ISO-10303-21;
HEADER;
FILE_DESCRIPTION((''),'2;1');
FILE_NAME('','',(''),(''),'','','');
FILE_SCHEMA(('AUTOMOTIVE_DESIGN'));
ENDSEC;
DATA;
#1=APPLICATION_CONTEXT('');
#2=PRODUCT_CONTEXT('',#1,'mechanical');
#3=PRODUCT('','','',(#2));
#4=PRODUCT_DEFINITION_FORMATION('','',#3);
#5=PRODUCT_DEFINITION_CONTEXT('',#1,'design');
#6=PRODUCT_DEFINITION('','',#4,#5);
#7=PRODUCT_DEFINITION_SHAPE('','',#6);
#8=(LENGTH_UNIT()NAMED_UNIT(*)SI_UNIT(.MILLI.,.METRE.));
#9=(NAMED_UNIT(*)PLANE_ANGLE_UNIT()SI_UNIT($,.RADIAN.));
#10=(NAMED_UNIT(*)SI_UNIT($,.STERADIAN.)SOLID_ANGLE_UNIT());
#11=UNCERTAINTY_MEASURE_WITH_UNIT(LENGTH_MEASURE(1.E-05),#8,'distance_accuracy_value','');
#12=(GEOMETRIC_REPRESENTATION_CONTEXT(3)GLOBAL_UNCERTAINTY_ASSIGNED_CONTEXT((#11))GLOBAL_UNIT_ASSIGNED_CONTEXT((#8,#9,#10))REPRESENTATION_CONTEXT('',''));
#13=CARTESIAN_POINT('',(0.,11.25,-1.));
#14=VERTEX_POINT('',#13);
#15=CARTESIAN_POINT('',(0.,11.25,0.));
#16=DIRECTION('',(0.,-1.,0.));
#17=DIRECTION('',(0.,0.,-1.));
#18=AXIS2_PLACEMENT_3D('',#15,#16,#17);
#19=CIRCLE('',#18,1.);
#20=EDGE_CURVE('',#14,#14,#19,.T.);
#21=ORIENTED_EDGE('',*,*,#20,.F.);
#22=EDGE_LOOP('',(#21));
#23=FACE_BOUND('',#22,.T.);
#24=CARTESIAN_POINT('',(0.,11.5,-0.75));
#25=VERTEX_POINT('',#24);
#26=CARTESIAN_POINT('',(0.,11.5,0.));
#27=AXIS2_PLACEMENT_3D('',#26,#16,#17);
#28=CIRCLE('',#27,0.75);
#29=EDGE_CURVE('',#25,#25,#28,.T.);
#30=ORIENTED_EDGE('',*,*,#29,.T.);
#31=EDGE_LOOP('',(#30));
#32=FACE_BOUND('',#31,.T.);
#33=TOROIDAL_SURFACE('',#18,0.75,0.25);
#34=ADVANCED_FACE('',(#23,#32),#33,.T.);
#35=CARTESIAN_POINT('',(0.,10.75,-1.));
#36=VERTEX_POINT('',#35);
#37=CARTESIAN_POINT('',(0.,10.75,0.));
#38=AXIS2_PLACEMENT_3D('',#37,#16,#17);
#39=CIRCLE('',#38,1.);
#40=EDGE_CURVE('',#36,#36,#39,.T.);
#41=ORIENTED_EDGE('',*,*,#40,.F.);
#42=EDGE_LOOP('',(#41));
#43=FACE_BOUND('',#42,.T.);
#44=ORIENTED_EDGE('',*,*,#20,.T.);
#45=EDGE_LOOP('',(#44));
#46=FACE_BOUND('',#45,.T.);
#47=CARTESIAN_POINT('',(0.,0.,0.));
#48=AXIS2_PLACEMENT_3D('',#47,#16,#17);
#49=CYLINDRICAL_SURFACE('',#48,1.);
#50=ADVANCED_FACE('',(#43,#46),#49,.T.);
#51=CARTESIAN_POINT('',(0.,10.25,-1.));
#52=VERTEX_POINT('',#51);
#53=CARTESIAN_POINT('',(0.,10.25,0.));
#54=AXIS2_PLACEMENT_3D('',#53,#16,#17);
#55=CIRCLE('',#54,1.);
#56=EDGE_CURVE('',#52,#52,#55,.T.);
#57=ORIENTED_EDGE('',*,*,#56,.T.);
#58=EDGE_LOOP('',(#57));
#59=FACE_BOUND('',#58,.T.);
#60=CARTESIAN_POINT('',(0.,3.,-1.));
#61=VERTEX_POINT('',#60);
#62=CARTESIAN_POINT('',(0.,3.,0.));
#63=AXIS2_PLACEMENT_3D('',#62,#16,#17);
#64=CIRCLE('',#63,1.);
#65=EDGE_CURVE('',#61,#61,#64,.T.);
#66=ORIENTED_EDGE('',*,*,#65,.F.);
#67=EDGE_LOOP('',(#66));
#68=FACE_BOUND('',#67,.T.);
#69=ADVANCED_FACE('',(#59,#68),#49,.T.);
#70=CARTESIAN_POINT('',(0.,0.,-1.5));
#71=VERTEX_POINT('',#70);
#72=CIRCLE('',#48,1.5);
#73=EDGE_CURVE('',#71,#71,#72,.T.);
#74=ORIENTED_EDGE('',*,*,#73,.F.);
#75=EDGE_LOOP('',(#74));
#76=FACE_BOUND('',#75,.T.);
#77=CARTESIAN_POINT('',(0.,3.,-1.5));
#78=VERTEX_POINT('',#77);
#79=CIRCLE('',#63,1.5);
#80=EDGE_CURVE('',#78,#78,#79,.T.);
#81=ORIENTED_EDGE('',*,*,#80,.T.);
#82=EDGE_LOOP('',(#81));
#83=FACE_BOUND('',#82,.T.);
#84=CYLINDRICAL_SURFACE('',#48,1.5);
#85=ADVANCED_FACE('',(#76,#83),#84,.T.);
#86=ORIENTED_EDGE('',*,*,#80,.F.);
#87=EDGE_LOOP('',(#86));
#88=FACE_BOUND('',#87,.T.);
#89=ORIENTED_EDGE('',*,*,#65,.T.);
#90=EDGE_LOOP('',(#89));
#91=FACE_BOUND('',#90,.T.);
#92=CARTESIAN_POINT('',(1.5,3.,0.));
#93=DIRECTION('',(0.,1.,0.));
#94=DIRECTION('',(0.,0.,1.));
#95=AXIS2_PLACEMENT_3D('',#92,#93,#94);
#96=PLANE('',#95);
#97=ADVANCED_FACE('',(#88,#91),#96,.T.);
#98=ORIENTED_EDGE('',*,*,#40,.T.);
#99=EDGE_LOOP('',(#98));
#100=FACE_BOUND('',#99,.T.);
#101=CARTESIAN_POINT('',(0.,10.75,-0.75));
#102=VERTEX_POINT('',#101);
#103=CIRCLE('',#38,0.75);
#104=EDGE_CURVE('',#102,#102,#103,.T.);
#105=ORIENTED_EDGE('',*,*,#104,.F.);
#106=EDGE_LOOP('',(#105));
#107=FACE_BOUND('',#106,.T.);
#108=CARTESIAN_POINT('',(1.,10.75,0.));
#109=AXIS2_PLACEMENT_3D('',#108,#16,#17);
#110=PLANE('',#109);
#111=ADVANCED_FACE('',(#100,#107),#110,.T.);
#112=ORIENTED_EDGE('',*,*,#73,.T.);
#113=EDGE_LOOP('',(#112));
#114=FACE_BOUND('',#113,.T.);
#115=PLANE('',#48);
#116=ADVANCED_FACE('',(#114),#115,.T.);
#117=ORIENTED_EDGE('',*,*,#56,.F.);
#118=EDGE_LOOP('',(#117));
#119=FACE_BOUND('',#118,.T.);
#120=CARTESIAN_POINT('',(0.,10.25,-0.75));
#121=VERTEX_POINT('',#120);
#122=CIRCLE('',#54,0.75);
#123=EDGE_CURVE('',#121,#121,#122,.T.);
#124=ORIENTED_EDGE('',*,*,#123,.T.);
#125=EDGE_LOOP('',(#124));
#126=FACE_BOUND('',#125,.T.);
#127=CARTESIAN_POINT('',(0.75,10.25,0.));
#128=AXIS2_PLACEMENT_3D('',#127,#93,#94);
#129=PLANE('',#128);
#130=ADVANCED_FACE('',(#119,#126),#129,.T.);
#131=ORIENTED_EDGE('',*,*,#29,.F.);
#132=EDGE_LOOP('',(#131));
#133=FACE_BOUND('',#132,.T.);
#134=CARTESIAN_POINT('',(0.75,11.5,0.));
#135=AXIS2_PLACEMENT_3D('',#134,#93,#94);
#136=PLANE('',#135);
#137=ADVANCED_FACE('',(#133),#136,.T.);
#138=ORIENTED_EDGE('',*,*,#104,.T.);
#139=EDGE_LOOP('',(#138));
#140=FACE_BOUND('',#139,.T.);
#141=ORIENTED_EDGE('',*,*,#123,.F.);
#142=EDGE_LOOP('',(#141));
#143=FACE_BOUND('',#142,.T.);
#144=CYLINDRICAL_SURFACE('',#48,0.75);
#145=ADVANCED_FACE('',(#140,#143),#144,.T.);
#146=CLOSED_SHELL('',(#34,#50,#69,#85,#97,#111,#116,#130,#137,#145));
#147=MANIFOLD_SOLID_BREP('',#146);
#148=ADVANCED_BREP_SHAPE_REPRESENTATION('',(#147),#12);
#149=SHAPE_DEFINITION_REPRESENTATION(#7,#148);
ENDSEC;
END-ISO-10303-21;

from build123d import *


with BuildPart() as part:
    # Esquisse1 → Révolution1 (revolve)
    with BuildSketch(Plane.XY, mode=Mode.PRIVATE) as r_volution1_sk:
        with BuildLine():
            Line((0, 0), (1.5, 0))
            Line((1.5, 0), (1.5, 3))
            Line((1.5, 3), (1, 3))
            Line((1, 3), (1, 10.25))
            Line((1, 10.25), (0.75, 10.25))
            Line((0.75, 10.25), (0.75, 10.75))
            Line((0.75, 10.75), (1, 10.75))
            Line((1, 10.75), (1, 11.25))
            ThreePointArc((1, 11.25), (0.926776695, 11.426776695), (0.75, 11.5))
            Line((0.75, 11.5), (0, 11.5))
            Line((0, 11.5), (0, 0))
        make_face()
    revolve(r_volution1_sk.sketch.rotate(Axis((0, 0, 0), (0, 1, 0)), 90), axis=Axis((0, 0, 0), (0, 1, 0)))


solid = part.part
